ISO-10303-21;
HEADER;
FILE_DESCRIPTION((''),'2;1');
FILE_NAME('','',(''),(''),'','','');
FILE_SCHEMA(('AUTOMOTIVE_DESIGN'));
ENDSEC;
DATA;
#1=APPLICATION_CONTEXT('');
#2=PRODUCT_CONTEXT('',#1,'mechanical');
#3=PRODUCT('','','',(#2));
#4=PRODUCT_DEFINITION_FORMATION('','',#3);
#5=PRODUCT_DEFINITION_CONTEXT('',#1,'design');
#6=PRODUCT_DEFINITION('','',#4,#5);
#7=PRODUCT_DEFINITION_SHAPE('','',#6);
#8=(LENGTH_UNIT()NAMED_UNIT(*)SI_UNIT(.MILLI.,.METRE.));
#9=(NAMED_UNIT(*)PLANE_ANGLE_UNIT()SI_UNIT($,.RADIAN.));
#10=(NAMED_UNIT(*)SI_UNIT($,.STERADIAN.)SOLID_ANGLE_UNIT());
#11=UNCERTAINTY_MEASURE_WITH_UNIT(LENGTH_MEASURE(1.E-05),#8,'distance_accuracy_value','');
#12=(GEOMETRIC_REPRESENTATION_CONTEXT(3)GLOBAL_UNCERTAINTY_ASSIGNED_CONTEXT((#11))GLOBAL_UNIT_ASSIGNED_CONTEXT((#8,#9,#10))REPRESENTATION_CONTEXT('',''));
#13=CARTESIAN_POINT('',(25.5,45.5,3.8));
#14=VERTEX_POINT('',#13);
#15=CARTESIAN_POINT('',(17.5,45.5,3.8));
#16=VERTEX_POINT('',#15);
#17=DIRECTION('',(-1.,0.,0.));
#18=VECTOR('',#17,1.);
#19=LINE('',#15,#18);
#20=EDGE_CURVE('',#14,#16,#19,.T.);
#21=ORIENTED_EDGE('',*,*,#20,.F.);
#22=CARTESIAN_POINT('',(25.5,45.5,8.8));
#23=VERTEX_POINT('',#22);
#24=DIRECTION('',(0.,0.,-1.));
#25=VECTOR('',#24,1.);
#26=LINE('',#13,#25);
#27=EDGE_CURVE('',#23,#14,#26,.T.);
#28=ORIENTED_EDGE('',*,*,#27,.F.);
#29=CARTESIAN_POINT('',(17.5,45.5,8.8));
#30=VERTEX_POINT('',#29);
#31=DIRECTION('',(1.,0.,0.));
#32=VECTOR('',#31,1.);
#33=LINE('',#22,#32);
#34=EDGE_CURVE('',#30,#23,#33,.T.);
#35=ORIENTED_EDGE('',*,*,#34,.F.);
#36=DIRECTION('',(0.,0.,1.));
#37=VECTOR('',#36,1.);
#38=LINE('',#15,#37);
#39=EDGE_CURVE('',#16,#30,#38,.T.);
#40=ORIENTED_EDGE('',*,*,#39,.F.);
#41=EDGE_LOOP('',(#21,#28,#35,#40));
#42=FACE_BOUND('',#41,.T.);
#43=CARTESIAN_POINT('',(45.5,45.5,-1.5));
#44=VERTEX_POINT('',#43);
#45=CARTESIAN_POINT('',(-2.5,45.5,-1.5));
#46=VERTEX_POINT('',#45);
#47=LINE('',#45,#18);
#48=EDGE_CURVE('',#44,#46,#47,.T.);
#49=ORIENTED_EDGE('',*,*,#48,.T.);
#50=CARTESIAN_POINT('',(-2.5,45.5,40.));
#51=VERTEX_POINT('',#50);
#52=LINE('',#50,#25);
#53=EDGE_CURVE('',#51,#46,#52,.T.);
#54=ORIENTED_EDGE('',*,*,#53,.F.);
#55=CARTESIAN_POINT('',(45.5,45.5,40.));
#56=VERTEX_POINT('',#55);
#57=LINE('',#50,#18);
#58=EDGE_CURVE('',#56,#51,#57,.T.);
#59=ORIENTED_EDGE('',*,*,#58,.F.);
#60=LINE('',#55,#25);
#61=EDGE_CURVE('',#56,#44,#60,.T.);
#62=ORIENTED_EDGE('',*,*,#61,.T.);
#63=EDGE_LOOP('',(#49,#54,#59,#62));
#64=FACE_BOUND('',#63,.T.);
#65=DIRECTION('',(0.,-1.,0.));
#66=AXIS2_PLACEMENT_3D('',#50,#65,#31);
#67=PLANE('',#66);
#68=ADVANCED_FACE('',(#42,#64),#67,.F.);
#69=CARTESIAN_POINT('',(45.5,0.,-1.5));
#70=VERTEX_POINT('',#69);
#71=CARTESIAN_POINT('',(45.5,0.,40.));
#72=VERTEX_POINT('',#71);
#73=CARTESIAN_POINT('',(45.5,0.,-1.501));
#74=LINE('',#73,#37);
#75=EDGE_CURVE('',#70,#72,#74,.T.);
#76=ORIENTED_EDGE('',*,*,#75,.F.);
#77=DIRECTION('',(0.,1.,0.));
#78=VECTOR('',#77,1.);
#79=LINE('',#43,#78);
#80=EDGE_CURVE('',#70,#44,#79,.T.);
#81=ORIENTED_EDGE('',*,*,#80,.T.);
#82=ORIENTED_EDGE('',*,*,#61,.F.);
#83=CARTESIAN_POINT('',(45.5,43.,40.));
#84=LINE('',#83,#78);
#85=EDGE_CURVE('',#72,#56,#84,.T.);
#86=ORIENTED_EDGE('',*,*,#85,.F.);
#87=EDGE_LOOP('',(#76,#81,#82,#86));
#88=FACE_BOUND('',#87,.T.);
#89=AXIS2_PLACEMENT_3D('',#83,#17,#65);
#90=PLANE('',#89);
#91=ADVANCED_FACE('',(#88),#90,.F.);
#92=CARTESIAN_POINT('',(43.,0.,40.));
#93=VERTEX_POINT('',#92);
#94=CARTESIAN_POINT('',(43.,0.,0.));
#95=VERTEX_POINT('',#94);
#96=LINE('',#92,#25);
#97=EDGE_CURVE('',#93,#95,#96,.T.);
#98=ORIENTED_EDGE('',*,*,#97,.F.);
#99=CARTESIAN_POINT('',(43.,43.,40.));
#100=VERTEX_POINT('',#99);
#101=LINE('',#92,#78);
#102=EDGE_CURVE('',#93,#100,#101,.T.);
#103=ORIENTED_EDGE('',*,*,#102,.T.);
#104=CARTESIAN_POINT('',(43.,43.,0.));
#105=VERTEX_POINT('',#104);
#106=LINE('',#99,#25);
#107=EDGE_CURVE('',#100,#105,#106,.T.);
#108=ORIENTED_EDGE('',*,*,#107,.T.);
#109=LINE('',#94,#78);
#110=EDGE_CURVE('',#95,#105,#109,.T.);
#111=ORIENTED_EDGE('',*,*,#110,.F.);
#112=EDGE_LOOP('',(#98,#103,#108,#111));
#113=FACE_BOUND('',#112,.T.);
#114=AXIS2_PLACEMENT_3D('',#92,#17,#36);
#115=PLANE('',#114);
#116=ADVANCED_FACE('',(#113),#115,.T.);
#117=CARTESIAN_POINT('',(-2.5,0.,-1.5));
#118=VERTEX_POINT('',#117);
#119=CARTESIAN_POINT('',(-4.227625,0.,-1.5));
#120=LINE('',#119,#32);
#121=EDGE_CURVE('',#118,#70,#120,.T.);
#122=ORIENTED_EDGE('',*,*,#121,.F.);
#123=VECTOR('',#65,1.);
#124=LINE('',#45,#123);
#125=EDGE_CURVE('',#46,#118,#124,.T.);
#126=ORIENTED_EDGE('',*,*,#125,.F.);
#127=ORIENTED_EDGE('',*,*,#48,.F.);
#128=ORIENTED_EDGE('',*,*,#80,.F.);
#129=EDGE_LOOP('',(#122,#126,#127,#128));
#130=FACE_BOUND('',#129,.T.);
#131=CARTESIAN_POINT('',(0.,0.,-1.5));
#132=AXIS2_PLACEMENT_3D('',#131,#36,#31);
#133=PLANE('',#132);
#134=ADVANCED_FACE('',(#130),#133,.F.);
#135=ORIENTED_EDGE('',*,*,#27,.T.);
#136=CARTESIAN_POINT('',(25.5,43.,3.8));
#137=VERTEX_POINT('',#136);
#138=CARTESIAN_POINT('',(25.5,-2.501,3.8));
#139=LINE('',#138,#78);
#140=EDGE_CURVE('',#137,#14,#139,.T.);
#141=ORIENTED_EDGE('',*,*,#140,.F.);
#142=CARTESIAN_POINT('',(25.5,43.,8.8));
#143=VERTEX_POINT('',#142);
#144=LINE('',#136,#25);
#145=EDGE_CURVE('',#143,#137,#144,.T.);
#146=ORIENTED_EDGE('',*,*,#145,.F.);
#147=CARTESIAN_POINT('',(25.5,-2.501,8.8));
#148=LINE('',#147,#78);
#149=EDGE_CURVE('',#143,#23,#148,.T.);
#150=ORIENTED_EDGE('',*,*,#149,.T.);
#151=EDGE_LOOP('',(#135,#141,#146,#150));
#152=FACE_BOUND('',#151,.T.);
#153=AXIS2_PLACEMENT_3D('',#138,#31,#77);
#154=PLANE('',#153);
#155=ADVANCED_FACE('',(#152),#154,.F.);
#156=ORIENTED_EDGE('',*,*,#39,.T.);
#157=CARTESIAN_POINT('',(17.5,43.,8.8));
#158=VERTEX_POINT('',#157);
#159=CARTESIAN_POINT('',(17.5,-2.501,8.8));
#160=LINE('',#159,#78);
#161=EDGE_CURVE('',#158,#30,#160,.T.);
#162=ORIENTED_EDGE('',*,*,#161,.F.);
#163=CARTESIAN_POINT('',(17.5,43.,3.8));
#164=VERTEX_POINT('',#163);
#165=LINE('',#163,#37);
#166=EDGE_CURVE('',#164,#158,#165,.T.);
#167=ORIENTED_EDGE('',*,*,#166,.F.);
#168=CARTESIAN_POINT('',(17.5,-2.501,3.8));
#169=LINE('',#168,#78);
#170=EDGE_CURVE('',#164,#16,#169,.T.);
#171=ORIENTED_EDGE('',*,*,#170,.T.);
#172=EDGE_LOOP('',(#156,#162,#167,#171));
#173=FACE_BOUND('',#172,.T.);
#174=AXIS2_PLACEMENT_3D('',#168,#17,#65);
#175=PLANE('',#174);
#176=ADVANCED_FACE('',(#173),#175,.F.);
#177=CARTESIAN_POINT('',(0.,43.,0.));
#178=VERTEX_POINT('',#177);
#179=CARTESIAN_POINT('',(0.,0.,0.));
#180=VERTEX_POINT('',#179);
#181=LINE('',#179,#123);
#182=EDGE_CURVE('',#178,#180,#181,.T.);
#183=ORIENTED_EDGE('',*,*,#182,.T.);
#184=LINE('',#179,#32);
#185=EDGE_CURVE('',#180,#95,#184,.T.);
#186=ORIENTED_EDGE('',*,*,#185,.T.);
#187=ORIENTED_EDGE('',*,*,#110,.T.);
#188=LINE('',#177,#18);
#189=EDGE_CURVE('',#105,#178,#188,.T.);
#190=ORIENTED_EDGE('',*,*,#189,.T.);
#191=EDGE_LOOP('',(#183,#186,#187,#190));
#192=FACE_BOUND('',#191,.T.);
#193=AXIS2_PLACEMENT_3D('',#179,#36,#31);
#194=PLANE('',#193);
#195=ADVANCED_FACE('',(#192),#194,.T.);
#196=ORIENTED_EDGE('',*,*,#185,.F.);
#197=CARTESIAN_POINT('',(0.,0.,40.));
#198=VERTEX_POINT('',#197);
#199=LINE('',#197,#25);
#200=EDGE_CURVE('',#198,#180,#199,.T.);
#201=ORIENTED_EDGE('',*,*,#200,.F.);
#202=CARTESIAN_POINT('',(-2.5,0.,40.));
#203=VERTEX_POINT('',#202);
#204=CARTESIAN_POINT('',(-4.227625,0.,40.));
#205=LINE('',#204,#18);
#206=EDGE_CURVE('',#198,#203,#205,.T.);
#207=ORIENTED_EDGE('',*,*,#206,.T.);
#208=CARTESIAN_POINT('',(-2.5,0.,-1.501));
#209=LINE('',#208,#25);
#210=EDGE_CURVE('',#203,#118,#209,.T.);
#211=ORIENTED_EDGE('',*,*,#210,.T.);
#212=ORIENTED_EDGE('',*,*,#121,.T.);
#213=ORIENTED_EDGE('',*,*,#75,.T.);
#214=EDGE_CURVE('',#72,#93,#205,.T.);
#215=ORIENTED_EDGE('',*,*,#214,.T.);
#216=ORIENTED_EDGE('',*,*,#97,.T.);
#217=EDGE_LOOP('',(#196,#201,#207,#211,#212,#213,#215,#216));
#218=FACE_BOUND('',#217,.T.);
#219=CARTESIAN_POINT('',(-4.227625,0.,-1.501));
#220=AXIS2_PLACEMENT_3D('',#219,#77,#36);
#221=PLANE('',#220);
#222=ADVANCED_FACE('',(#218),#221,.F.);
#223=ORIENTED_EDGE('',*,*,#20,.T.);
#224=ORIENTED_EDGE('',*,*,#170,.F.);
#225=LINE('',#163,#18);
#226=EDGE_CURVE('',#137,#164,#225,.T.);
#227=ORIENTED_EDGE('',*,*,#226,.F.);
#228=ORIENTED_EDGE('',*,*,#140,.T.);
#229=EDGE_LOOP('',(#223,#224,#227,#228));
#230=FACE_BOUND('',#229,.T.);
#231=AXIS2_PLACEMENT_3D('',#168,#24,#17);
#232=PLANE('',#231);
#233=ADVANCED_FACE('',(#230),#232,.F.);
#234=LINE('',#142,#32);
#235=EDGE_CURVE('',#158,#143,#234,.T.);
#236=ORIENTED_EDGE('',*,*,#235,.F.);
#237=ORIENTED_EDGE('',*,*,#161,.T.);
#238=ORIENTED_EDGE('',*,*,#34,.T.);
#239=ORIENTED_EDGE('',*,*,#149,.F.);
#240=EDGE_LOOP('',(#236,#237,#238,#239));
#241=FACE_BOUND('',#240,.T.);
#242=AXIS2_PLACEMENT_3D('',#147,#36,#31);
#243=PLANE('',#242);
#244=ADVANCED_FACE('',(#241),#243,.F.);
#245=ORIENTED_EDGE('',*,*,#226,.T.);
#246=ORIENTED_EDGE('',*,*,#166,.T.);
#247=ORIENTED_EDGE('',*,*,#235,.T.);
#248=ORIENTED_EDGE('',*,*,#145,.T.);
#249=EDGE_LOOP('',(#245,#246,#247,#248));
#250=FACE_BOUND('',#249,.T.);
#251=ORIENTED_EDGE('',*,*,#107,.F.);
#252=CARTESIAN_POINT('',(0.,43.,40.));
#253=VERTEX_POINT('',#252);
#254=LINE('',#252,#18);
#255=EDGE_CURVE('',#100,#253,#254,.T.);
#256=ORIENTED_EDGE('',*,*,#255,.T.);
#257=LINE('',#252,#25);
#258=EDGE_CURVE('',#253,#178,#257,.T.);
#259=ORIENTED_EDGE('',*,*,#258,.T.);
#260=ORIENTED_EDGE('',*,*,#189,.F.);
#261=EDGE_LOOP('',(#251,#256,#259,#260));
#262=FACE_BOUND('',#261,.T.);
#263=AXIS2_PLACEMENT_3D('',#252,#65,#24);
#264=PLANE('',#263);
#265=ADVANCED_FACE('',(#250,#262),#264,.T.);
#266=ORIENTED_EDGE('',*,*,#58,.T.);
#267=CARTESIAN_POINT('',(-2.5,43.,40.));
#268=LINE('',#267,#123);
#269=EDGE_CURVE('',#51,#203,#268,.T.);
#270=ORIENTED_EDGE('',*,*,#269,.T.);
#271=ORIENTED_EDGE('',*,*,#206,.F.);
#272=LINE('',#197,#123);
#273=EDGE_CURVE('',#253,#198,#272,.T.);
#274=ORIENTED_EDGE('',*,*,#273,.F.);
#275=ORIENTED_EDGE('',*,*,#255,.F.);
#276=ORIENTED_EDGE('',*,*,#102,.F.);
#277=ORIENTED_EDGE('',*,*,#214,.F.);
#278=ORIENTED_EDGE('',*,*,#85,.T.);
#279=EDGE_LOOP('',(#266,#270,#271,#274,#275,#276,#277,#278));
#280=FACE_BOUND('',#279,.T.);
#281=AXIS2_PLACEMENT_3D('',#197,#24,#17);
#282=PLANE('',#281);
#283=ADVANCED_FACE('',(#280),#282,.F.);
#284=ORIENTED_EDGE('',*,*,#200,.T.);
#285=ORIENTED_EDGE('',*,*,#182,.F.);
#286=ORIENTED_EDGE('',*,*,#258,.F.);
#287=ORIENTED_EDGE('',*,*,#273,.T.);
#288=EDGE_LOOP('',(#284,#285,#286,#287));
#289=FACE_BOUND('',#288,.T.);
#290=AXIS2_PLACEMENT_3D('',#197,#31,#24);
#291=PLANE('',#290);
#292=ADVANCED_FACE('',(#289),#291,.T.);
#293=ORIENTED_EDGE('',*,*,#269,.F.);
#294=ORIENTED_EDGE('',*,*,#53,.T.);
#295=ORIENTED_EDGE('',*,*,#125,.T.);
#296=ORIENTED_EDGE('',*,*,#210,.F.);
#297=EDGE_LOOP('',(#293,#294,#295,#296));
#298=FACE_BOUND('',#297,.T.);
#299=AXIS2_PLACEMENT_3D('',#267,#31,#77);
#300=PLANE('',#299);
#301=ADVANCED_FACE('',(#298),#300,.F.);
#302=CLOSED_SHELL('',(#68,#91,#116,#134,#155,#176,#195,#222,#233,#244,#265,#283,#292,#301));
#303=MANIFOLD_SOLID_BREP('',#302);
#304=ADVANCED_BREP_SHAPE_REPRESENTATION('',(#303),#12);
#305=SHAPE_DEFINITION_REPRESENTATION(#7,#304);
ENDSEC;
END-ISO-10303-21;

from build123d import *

# Parameters (mm, degrees)
ESQUISSE1_W             = 43
ESQUISSE1_H             = 43
BOSS_EXTRU_1_DEPTH      = 40
ESQUISSE2_W             = 48
ESQUISSE2_H             = 48
BOSS_EXTRU_2_DEPTH      = 1.5
ENL_V_MAT_EXTRU_3_REACH = 50
ESQUISSE5_W             = 8
ESQUISSE5_H             = 5
ENL_V_MAT_EXTRU_4_REACH = 43.5
ESQUISSE6_W             = 54.781223227
ESQUISSE6_H             = 3.078773465


with BuildPart() as part:
    # Esquisse1 → Boss.-Extru.1 (new body)
    with BuildSketch(Plane.XY):
        Polygon((-2.5, 43), (-2.5, -2.5), (0, -2.5), (45.5, -2.5), (45.5, 43), (45.5, 45.5), (-2.5, 45.5), align=None)
        with Locations((21.5, 21.5)):
            Rectangle(ESQUISSE1_W, ESQUISSE1_H, mode=Mode.SUBTRACT)
    extrude(amount=BOSS_EXTRU_1_DEPTH)

    # Esquisse2 → Boss.-Extru.2 (add)
    with BuildSketch(Plane.XY):
        with Locations((21.5, 21.5)):
            Rectangle(ESQUISSE2_W, ESQUISSE2_H)
    extrude(amount=-BOSS_EXTRU_2_DEPTH)

    # Esquisse5 → Enlèv. mat.-Extru.3 (cut, up to next)
    with BuildSketch(Plane(origin=(0, 45.5, 0), x_dir=(1, 0, 0), z_dir=(0, 1, 0)), mode=Mode.PRIVATE) as enl_v_mat_extru_3_sk1:
        with Locations((21.5, -6.3)):
            Rectangle(ESQUISSE5_W, ESQUISSE5_H)
    enl_v_mat_extru_3_tool1 = extrude(enl_v_mat_extru_3_sk1.sketch, amount=-ENL_V_MAT_EXTRU_3_REACH, mode=Mode.PRIVATE) & part.part
    add(enl_v_mat_extru_3_tool1.solids().sort_by_distance((21.5, 45.5, 6.3))[0], mode=Mode.SUBTRACT)

    # Esquisse6 → Enlèv. mat.-Extru.4 (cut, up to next)
    with BuildSketch(Plane.XY.offset(40), mode=Mode.PRIVATE) as enl_v_mat_extru_4_sk1:
        with Locations((23.162986277, -1.539386733)):
            Rectangle(ESQUISSE6_W, ESQUISSE6_H)
    enl_v_mat_extru_4_tool1 = extrude(enl_v_mat_extru_4_sk1.sketch, amount=-ENL_V_MAT_EXTRU_4_REACH, mode=Mode.PRIVATE) & part.part
    add(enl_v_mat_extru_4_tool1.solids().sort_by_distance((23.162986, -1.539387, 40))[0], mode=Mode.SUBTRACT)


solid = part.part
